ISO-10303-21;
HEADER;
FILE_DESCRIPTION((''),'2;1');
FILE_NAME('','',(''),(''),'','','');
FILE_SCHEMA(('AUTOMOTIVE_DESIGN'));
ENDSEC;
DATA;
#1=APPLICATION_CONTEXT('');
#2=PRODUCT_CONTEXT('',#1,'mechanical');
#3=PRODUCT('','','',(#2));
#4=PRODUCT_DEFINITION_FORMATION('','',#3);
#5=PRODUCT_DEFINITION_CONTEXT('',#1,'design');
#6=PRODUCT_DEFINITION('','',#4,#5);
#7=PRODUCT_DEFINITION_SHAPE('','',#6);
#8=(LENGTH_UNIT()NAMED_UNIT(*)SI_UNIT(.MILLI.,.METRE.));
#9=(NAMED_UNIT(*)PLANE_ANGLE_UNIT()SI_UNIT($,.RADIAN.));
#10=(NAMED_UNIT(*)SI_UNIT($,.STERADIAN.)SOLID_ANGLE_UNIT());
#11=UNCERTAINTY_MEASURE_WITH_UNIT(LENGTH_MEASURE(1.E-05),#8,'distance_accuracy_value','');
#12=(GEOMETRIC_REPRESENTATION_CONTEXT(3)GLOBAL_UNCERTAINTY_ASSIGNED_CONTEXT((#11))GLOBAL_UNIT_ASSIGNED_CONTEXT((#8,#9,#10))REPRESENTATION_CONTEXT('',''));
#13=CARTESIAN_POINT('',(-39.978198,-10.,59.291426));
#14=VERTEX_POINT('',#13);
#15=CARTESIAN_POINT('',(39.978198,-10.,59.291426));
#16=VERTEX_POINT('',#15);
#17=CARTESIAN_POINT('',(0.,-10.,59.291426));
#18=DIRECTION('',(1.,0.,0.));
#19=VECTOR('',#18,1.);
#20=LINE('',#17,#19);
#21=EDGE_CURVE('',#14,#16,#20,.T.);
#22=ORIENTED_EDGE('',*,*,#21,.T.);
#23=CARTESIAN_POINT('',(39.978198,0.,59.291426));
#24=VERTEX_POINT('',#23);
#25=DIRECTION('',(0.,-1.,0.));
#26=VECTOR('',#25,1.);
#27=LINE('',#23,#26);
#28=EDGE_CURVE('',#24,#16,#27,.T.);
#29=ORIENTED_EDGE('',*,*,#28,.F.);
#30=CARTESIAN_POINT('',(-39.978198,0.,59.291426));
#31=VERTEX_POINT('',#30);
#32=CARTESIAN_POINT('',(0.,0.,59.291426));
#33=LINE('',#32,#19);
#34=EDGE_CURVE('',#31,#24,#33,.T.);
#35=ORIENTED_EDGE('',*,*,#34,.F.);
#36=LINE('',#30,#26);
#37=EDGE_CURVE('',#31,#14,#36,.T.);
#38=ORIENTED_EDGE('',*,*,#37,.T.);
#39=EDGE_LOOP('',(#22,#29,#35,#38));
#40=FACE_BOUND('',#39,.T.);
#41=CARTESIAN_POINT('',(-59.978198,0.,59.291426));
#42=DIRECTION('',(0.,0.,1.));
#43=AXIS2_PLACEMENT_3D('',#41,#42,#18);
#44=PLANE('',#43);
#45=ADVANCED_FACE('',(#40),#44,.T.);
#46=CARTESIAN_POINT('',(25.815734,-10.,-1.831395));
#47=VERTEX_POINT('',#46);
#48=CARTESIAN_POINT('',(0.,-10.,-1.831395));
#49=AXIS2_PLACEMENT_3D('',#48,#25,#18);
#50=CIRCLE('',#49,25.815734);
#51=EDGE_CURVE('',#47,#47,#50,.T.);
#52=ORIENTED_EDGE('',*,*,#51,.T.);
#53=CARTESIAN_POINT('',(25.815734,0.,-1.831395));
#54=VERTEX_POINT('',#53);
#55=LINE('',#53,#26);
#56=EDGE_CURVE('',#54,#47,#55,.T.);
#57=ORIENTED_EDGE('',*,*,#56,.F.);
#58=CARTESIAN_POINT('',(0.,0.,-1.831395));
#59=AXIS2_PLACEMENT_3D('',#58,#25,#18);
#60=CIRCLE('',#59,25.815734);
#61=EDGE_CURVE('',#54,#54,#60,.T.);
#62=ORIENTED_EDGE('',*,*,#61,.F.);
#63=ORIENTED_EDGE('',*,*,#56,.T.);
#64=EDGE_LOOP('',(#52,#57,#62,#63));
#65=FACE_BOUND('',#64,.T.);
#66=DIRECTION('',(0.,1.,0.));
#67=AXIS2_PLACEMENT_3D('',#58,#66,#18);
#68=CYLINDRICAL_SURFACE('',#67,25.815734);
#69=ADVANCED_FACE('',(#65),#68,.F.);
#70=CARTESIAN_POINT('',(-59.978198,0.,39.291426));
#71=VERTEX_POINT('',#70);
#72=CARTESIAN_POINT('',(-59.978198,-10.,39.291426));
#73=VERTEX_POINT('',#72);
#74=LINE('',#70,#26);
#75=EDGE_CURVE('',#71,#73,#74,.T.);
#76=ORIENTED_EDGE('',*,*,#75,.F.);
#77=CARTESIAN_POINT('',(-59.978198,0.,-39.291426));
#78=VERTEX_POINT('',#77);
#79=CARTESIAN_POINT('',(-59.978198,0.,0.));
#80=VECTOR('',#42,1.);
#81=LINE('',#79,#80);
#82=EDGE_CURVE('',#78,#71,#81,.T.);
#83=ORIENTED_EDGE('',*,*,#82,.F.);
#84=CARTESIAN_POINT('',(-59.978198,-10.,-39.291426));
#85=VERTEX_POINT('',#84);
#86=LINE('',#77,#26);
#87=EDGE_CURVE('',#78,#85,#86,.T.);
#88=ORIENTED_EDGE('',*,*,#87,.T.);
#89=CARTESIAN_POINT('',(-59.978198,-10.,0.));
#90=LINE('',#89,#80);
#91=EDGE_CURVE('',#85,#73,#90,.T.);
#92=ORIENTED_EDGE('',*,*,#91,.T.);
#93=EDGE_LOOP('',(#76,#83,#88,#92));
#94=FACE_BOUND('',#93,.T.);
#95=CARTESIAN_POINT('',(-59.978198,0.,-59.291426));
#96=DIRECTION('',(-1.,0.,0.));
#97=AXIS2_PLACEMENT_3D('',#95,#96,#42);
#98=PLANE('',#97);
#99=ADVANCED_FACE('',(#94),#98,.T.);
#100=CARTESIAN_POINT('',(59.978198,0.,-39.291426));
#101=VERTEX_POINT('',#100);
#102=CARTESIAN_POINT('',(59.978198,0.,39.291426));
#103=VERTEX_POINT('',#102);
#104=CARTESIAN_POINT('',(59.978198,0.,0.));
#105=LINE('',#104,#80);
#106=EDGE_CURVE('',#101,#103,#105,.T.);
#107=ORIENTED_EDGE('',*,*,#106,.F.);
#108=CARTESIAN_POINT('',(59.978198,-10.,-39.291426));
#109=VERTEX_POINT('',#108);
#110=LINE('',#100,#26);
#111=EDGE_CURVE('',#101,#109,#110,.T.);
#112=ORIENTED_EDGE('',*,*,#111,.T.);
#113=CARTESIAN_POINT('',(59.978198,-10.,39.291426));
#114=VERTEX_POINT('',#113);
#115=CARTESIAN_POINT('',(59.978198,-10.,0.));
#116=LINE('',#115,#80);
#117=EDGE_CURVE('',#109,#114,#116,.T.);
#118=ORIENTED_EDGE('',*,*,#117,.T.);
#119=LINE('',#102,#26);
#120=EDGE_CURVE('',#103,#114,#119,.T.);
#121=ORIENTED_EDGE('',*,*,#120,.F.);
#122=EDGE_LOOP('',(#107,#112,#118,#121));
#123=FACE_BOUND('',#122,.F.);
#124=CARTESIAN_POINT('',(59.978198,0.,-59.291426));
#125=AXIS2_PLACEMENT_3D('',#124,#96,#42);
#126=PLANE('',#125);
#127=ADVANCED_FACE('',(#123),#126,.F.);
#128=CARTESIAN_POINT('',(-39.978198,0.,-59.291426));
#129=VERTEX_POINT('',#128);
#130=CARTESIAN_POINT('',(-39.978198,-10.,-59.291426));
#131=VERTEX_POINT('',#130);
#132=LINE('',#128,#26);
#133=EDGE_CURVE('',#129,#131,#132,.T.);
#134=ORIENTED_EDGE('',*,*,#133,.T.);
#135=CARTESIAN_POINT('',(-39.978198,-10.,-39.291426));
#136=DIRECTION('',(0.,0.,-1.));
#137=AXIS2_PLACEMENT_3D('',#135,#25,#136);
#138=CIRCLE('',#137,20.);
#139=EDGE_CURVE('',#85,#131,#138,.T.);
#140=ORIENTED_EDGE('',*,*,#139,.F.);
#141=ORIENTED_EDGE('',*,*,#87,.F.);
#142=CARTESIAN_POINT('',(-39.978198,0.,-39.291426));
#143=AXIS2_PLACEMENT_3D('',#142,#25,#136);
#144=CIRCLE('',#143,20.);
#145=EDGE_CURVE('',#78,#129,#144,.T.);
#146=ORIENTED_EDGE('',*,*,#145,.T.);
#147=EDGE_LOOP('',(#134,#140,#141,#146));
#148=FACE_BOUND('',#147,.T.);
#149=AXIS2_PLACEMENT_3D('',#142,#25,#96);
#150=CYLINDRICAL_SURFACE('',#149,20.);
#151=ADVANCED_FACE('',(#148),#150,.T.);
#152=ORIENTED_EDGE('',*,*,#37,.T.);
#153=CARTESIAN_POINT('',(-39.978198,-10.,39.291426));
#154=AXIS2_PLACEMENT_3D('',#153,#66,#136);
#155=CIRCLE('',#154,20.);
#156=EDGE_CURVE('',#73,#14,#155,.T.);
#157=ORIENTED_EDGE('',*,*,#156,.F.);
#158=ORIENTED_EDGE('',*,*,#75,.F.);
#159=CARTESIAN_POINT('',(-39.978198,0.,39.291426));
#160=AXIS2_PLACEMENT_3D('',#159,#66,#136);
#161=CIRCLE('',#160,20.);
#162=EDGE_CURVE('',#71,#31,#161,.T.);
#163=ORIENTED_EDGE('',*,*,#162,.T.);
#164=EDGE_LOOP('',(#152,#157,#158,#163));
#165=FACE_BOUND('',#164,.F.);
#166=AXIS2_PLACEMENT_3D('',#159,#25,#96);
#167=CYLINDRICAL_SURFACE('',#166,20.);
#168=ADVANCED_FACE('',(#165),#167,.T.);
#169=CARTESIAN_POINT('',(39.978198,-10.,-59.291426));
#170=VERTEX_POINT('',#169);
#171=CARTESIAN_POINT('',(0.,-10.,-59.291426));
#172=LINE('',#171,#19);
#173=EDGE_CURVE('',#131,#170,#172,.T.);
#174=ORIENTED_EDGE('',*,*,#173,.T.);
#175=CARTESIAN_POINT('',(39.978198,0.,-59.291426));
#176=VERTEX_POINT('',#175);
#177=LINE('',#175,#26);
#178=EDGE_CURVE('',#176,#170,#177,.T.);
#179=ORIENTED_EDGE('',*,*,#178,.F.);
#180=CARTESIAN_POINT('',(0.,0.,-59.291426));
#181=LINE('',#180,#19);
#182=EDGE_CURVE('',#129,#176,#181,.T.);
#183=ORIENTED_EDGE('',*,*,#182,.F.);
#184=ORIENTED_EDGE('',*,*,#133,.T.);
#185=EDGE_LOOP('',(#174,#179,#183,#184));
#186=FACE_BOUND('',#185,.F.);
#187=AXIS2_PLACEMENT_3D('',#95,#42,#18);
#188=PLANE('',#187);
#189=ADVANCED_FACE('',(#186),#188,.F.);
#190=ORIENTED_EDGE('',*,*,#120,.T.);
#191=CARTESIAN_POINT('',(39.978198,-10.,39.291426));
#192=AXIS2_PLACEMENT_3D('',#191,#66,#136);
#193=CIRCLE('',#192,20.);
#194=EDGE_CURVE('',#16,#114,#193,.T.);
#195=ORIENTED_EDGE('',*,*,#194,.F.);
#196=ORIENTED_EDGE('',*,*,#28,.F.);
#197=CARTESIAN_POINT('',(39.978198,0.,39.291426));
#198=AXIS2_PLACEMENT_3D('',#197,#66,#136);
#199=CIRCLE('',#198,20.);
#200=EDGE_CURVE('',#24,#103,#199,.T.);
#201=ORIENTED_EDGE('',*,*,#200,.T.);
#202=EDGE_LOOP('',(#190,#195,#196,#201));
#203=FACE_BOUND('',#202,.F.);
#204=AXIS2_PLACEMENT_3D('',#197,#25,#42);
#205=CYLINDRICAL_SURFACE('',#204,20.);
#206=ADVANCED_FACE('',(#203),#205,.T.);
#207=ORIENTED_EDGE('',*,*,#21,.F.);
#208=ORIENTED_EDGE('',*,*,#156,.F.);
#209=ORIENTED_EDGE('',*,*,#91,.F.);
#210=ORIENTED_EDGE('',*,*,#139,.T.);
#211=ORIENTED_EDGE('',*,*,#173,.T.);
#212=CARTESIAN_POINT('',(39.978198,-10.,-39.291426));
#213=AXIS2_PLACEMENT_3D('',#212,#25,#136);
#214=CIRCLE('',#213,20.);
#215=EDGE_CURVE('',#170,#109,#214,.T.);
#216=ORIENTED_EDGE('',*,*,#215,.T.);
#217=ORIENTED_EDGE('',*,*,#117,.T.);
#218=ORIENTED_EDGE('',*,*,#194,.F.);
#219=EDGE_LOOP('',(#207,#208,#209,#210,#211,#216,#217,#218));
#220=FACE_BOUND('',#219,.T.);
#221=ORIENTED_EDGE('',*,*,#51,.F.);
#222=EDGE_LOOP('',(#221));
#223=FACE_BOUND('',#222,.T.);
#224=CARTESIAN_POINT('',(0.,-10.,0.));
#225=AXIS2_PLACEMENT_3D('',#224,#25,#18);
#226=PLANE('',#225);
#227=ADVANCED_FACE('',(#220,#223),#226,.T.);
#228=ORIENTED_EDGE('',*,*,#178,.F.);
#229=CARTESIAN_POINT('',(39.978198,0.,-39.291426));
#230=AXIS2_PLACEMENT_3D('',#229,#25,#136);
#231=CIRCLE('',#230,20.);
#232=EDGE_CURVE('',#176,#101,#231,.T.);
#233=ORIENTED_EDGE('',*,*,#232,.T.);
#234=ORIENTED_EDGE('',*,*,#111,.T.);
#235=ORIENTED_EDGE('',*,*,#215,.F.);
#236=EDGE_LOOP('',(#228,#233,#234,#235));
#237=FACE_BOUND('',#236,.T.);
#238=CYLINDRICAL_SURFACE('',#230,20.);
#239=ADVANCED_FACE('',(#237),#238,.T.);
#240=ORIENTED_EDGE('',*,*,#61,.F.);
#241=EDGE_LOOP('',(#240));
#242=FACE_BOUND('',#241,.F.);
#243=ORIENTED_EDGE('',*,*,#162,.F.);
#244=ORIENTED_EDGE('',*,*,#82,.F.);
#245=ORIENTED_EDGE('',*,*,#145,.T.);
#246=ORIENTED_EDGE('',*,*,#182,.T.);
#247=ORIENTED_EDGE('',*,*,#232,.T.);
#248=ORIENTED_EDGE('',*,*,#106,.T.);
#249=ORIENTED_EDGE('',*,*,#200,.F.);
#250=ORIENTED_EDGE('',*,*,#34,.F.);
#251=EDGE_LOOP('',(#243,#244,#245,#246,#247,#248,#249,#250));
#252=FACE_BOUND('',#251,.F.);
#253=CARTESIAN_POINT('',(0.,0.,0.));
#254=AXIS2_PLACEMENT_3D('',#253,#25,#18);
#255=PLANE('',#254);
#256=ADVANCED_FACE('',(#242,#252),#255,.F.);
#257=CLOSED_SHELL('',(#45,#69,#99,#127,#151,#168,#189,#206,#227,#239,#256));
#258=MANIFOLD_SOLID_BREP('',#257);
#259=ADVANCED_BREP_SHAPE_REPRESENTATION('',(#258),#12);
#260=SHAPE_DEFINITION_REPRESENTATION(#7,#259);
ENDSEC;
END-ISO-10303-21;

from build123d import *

# Parameters (mm, degrees)
F0_W     = 119.956396
F0_H     = 118.582852
F0_R     = 25.815734
F1_DEPTH = 10
F2_R     = 20


with BuildPart() as f1:
    # F0 (on Front) → F1 (new body)
    with BuildSketch(Plane.XZ):
        Rectangle(F0_W, F0_H)
        with Locations((0, -1.831395)):
            Circle(F0_R, mode=Mode.SUBTRACT)
    extrude(amount=F1_DEPTH)

    # F2
    f2_edges = [f1.edges().sort_by_distance(p)[0] for p in [
        (-59.978198, -5, 59.291426),
        (59.978198, -5, 59.291426),
        (-59.978198, -5, -59.291426),
        (59.978198, -5, -59.291426),
    ]]
    fillet(f2_edges, radius=F2_R)


solid = f1.part
